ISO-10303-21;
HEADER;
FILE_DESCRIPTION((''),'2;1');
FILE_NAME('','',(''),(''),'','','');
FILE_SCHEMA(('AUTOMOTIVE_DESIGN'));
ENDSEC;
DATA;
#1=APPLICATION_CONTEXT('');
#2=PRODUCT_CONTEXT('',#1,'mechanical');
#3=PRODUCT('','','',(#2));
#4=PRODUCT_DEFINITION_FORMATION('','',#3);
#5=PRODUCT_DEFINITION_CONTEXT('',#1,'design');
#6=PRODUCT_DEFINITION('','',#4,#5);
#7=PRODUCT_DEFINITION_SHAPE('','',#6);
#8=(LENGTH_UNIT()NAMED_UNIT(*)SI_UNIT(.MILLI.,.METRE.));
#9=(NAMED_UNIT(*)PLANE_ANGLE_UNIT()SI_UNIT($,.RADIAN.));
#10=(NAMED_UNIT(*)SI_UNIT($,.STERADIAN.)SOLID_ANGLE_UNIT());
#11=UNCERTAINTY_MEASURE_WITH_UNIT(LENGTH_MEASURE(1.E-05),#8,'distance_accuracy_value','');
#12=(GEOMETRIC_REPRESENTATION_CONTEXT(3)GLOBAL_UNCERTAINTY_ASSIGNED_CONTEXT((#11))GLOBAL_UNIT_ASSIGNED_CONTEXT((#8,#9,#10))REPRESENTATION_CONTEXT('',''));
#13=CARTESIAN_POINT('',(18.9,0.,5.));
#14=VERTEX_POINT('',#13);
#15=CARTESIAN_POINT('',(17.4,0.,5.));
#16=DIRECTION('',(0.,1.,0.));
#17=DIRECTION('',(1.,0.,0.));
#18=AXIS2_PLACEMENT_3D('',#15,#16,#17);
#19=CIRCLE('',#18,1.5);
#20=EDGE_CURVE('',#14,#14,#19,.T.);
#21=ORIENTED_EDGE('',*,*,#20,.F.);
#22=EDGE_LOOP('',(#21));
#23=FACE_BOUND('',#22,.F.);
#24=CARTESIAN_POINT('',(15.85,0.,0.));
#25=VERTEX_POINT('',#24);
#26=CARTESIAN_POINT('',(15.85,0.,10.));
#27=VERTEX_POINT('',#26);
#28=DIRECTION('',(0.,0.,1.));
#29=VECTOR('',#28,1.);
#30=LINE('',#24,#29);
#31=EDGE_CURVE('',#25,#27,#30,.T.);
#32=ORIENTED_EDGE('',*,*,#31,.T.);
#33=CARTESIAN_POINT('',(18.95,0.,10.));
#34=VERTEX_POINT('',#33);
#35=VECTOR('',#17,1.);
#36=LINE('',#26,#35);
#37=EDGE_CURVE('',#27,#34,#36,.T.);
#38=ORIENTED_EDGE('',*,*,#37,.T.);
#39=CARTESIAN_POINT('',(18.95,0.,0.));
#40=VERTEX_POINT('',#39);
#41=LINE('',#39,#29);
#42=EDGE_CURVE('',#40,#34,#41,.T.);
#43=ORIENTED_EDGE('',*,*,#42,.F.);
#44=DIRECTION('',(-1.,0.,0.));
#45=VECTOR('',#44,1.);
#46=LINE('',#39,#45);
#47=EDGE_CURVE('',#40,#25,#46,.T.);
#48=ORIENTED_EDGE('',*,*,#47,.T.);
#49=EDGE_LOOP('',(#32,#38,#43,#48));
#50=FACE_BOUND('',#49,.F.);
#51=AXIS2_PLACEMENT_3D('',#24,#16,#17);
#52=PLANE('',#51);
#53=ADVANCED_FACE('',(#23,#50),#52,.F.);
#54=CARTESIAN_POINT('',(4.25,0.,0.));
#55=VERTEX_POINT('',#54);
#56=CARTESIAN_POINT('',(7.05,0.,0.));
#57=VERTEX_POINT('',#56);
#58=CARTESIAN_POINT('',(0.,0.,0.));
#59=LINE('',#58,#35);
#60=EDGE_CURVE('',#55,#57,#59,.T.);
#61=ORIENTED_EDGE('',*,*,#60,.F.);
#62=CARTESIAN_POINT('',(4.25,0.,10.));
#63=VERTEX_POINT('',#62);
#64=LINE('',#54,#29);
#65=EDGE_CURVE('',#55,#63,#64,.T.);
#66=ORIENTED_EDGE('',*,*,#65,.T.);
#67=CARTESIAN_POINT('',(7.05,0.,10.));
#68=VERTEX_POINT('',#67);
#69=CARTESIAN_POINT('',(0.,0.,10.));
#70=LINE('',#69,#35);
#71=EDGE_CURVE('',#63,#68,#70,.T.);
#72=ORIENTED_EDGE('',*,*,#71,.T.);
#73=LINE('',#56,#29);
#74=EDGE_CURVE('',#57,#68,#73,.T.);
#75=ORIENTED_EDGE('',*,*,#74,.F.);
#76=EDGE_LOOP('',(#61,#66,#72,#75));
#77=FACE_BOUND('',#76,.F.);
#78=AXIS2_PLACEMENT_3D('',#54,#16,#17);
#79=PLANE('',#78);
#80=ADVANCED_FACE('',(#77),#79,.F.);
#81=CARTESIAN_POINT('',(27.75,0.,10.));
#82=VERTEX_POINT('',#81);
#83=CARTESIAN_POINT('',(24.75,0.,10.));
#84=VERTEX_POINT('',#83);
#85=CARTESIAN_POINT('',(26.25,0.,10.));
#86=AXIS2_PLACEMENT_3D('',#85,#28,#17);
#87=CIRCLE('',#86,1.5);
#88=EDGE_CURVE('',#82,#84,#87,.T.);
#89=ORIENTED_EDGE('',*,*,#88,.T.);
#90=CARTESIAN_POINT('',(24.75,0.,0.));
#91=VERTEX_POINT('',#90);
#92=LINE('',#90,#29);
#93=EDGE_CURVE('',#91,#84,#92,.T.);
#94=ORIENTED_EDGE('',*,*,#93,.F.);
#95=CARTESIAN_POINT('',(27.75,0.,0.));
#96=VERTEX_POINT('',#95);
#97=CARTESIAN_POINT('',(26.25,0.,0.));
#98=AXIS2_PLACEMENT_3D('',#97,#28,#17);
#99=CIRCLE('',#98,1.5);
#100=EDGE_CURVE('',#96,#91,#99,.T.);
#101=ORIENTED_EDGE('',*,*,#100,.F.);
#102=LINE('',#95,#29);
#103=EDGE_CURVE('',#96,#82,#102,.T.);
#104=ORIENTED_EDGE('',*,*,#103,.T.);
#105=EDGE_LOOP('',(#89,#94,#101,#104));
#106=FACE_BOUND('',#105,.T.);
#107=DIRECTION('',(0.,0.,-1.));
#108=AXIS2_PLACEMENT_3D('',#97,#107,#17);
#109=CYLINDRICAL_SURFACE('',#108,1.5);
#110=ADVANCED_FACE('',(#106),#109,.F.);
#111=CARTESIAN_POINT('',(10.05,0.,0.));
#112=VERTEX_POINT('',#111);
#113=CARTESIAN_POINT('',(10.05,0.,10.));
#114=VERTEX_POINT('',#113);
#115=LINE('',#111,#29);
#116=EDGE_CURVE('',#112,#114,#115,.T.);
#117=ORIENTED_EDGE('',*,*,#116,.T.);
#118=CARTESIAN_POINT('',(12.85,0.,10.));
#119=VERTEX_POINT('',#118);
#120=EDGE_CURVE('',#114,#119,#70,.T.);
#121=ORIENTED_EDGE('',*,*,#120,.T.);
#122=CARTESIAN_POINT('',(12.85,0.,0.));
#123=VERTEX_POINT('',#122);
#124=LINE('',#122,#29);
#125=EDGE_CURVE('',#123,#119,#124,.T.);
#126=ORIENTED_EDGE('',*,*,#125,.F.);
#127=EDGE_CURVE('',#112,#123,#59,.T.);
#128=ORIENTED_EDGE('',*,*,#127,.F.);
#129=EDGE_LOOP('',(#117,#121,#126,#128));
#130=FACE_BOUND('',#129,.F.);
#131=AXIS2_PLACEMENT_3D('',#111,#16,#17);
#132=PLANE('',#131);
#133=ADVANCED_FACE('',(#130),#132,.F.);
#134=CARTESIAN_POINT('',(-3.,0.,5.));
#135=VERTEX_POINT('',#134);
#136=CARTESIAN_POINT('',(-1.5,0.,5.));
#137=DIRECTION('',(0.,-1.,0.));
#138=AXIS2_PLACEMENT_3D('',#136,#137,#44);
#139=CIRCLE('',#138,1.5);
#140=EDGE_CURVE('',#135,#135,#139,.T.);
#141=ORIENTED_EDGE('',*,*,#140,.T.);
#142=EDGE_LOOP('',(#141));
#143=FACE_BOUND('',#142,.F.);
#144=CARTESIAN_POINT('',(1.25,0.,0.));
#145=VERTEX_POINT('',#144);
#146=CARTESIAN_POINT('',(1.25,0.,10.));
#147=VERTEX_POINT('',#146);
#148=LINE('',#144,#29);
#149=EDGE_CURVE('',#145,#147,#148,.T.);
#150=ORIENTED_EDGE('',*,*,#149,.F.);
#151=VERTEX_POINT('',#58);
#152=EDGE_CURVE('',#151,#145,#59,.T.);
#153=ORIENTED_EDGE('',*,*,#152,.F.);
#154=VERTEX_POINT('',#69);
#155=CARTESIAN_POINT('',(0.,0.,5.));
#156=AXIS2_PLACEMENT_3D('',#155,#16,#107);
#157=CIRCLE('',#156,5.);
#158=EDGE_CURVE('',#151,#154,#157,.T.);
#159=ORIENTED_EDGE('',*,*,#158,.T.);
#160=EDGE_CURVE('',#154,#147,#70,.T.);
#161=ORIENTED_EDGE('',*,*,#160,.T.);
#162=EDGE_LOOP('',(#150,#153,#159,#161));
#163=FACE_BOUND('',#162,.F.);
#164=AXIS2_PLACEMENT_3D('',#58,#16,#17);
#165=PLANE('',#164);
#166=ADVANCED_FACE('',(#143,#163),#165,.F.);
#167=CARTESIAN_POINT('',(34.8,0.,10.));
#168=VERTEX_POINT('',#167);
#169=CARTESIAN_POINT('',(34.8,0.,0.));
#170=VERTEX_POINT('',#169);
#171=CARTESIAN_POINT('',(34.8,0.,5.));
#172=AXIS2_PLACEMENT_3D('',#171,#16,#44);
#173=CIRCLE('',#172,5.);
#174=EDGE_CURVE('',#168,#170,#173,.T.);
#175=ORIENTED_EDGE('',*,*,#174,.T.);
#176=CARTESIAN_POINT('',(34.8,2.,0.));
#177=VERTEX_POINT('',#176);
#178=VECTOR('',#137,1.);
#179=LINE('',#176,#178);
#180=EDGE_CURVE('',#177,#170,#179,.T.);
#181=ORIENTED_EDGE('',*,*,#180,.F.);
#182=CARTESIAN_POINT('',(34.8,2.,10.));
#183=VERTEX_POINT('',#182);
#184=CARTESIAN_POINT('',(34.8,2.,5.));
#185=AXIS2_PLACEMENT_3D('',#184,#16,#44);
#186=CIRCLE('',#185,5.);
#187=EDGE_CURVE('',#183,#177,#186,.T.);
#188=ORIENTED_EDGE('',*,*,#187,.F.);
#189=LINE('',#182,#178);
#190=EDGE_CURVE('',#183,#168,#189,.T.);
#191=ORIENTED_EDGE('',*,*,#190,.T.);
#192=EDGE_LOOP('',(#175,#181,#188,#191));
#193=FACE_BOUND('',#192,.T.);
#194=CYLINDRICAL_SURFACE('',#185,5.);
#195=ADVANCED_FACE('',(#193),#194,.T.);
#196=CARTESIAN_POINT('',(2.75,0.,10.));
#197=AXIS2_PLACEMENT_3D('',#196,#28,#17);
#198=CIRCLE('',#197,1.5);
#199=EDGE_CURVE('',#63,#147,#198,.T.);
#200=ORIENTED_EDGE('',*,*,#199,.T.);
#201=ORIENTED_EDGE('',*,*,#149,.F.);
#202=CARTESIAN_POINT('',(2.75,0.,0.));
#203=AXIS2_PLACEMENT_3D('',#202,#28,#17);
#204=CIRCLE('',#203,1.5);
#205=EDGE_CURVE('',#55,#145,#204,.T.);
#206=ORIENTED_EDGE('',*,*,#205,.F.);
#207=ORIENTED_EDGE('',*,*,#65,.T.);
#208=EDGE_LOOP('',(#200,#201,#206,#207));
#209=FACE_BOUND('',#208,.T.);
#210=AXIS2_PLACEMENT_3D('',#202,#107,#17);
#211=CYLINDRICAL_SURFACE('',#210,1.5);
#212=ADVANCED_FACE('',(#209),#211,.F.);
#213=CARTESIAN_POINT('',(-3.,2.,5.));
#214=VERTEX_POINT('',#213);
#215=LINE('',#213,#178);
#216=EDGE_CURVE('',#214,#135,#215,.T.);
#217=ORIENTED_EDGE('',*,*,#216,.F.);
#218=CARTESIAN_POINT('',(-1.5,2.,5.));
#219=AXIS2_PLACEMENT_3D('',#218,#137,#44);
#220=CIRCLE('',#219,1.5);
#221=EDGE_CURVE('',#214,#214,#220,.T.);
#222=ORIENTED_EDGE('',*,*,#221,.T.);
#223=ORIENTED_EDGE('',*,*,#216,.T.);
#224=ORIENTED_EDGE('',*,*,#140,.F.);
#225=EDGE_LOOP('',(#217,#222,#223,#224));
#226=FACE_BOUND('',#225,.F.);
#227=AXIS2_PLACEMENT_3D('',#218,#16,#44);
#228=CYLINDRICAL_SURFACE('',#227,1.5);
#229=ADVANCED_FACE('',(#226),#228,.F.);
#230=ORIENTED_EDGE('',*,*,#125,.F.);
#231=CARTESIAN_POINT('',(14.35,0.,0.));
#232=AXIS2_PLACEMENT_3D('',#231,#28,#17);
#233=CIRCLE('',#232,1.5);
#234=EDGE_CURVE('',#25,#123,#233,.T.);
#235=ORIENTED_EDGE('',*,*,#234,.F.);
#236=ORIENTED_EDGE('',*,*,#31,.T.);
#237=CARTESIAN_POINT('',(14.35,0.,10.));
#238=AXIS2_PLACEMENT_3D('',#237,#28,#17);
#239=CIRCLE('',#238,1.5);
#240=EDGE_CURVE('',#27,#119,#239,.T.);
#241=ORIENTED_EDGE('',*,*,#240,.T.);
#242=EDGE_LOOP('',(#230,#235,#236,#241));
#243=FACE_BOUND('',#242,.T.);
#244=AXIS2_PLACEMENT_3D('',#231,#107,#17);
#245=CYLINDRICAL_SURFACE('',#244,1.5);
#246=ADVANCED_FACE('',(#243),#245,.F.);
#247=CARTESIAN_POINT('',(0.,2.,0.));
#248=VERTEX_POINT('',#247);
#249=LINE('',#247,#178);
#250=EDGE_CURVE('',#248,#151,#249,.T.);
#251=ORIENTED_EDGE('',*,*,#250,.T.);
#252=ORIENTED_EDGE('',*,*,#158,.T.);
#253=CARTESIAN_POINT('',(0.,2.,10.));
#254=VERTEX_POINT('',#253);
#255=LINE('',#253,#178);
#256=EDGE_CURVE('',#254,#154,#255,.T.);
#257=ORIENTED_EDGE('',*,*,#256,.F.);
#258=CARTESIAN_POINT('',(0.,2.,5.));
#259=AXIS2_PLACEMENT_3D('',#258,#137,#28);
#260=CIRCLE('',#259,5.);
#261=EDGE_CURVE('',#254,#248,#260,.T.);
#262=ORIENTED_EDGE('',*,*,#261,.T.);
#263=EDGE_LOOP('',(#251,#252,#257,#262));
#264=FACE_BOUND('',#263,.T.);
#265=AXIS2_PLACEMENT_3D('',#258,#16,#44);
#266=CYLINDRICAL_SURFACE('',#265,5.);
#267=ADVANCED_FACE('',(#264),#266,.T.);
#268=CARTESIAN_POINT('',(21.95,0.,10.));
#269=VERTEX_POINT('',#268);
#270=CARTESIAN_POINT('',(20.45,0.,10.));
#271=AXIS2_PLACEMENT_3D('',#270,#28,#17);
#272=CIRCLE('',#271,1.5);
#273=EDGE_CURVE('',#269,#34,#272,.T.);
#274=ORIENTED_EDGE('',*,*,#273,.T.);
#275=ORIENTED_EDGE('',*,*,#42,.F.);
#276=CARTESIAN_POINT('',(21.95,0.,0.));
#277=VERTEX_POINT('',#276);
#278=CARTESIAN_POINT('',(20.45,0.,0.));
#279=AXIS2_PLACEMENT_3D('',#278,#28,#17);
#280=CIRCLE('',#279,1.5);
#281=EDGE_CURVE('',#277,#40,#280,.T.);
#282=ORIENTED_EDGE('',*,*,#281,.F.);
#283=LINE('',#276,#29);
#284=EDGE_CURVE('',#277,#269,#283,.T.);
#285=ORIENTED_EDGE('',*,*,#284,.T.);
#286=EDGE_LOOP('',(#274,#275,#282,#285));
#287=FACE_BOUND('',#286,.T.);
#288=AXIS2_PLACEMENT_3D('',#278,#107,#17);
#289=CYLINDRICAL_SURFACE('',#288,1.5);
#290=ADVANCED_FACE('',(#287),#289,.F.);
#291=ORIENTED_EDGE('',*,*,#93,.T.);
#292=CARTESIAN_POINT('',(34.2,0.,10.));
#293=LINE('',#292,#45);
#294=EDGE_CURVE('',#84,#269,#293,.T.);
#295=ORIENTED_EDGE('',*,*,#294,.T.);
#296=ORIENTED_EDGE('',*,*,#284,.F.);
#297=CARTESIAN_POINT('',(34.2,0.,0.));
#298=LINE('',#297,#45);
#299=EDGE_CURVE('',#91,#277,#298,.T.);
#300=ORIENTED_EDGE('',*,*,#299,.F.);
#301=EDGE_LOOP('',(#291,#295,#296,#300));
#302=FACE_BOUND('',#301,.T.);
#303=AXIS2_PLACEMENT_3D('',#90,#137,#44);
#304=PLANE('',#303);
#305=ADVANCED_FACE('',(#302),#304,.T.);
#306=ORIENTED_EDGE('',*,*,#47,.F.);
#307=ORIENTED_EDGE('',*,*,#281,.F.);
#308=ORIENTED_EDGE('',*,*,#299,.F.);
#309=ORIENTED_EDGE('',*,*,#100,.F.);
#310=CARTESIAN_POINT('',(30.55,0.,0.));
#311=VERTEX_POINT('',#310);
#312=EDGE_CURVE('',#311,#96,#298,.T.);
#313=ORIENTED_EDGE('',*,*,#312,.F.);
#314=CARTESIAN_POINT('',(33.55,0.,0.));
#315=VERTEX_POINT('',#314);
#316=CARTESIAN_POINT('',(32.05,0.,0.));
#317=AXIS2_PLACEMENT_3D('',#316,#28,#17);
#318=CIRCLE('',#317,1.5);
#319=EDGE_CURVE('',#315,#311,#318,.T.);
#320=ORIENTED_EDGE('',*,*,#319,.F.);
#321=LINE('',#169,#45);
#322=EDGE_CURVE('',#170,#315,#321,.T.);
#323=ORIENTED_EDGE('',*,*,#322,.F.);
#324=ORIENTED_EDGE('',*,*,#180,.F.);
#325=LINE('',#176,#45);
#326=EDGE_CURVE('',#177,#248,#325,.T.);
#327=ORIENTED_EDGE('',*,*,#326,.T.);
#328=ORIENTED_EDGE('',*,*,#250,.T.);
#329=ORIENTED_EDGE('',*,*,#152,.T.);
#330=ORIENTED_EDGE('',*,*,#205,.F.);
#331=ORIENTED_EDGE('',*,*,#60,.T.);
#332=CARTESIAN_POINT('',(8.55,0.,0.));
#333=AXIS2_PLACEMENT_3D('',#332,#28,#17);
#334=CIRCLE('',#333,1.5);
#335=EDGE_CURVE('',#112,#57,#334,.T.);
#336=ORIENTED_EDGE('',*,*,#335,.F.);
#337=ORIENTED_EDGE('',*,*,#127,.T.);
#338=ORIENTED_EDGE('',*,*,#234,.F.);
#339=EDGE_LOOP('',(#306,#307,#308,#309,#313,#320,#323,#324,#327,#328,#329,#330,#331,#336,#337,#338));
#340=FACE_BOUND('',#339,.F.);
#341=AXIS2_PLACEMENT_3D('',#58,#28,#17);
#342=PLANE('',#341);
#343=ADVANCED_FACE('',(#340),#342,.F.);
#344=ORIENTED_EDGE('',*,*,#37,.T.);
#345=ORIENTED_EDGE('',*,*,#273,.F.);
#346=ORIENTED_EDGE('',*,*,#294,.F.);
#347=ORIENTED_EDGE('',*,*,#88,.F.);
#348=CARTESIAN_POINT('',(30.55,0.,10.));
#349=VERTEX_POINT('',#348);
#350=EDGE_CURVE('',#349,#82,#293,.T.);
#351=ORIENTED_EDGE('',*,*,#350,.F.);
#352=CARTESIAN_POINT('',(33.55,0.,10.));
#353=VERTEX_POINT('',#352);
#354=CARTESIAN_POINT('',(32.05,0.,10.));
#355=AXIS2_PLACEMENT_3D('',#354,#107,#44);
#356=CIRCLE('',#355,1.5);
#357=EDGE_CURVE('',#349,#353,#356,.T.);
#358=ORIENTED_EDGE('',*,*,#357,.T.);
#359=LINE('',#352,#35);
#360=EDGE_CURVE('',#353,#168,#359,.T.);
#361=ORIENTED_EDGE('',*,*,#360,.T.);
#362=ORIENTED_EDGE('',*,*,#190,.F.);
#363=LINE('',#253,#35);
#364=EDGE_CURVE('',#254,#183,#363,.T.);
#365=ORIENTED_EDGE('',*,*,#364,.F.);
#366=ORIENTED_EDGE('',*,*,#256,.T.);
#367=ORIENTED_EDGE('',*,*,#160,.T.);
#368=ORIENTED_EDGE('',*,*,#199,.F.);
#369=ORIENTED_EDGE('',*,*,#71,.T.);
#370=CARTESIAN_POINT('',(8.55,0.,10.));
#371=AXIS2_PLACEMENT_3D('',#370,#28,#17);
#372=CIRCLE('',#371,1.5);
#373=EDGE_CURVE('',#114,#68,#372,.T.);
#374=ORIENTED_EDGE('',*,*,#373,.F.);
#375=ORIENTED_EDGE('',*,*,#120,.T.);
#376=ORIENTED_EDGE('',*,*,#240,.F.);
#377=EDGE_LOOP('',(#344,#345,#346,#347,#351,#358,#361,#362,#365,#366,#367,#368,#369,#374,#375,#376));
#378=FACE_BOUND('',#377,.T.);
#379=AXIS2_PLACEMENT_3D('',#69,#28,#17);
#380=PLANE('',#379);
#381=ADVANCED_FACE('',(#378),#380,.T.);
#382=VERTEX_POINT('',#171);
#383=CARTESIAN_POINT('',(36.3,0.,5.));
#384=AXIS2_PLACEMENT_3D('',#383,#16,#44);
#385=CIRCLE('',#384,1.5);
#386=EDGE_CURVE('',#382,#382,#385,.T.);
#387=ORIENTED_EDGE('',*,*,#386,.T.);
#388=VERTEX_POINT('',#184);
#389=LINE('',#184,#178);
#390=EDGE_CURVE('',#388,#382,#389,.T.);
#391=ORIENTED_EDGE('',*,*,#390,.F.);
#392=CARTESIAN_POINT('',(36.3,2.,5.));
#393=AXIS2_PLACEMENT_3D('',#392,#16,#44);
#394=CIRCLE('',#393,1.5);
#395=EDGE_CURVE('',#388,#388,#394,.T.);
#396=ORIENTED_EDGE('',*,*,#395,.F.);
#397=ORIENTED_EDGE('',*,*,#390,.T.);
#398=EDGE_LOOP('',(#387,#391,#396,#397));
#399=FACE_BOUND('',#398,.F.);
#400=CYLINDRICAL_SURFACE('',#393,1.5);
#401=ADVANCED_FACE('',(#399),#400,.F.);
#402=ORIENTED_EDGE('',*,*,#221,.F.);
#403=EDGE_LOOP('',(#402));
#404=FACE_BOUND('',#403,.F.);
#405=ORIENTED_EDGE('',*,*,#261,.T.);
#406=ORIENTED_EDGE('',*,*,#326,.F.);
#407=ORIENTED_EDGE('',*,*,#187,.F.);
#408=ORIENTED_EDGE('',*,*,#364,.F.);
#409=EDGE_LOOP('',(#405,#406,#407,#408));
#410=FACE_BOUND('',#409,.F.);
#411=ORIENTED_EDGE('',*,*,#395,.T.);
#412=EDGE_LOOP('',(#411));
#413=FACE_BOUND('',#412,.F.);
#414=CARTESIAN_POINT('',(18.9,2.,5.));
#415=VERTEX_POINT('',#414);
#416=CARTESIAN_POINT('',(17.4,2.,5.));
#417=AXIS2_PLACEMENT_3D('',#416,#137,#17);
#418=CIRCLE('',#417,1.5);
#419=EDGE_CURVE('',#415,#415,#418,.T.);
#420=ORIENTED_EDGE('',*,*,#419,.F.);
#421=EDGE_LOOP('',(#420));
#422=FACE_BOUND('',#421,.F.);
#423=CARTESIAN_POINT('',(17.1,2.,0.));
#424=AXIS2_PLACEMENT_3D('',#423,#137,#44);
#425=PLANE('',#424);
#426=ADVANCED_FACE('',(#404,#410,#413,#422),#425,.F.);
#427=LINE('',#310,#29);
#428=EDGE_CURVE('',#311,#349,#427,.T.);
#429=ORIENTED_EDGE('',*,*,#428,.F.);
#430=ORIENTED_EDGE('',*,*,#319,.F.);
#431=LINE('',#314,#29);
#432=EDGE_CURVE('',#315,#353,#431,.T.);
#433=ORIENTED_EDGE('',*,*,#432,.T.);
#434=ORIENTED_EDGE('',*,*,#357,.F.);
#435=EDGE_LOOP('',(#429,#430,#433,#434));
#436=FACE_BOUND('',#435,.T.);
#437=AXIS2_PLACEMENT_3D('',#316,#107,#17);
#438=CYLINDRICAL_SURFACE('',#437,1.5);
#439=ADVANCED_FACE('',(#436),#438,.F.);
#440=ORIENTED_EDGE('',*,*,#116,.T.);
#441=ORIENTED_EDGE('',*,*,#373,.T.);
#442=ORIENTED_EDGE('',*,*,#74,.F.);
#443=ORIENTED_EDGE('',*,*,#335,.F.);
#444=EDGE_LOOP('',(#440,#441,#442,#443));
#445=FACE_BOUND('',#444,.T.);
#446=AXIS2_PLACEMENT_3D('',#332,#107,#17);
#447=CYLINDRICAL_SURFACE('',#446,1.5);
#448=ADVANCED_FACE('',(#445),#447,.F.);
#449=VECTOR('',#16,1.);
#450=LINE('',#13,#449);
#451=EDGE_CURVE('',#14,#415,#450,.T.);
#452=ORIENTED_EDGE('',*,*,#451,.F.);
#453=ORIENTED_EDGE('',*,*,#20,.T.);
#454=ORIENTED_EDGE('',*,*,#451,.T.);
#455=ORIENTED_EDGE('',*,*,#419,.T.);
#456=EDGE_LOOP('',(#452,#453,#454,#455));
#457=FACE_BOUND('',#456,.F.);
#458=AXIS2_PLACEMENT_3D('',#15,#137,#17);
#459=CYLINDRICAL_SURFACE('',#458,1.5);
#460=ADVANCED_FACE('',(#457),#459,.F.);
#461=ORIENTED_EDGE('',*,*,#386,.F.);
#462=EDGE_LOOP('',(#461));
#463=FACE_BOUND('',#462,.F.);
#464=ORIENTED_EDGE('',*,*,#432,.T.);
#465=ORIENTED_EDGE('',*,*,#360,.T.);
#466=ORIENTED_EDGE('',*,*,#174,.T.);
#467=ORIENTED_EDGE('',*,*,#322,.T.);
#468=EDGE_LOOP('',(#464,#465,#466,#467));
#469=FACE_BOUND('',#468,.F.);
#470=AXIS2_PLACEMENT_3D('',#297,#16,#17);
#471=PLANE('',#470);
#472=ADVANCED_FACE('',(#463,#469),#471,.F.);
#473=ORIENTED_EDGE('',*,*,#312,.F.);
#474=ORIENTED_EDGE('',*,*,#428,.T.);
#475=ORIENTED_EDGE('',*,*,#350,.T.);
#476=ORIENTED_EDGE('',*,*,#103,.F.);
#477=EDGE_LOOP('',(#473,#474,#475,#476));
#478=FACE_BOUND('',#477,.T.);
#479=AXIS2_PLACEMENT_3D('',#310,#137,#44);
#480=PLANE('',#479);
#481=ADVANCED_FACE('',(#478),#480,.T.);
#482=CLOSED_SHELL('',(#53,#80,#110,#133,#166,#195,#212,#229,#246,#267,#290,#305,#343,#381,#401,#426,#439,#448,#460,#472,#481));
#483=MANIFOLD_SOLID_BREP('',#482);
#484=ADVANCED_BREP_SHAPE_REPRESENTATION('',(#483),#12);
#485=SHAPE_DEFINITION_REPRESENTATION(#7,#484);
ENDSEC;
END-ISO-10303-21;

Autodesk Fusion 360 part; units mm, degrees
sketch "Sketch1" plane through (0, 0, 0) normal (0, 0, 1) x (1, 0, 0)
  line L0 (0, 0) -> (17.1, 0)
  line L1 (17.1, 0) -> (17.1, 2)
  line L2 (17.1, 2) -> (0, 2)
  line L3 (0, 2) -> (0, 0)
  line L4 (0, 0) -> (1.25, 0)
  line L5 (1.25, 0) -> (2.75, 0)
  circle A0 centre (2.75, 0) radius 1.5
  line L6 (4.25, 0) -> (7.05, 0)
  line L7 (7.05, 0) -> (8.55, 0)
  circle A1 centre (8.55, 0) radius 1.5
  line L8 (10.05, 0) -> (12.85, 0)
  line L9 (12.85, 0) -> (14.35, 0)
  circle A2 centre (14.35, 0) radius 1.5
  line L10 (15.85, 0) -> (17.1, 0)
  line L11 (15.85, 0) -> (17.4, 0)
  line L12 (17.4, 0) -> (18.95, 0)
  line L13 (18.95, 0) -> (17.1, 0)
  line L14 (17.1, 0) -> (17.1, 2)
  line L15 (17.1, 2) -> (18.95, 2)
  line L16 (18.95, 2) -> (18.95, 0)
  line L17 (17.1, 2) -> (34.2, 2)
  line L18 (34.2, 0) -> (17.1, 0)
  line L19 (18.95, 0) -> (20.45, 0)
  circle A3 centre (20.45, 0) radius 1.5
  line L20 (21.95, 0) -> (24.75, 0)
  line L21 (24.75, 0) -> (26.25, 0)
  circle A4 centre (26.25, 0) radius 1.5
  line L22 (27.75, 0) -> (30.55, 0)
  line L23 (30.55, 0) -> (32.05, 0)
  circle A5 centre (32.05, 0) radius 1.5
  line L24 (33.55, 0) -> (34.8, 0)
  line L25 (34.8, 0) -> (33.05, 0)
  line L26 (33.05, 0) -> (33.05, 2)
  line L27 (33.05, 2) -> (34.8, 2)
  line L28 (34.8, 2) -> (34.8, 0)
  dimension "d1" = 17.1
  dimension "d2" = 2
  dimension "d3" = 1.25
  dimension "d4" = 1.5
  dimension "d5" = 2.8
  dimension "d6" = 1.5
  dimension "d7" = 2.8
  dimension "d8" = 1.5
  dimension "d32" = 1.55
  dimension "d33" = 1.55
  dimension "d39" = 1.5
  dimension "d41" = 2.8
  dimension "d42" = 1.5
  dimension "d43" = 2.8
  dimension "d44" = 1.5
  dimension "d45" = 1.25
extrude "Extrude1" add sketch "Sketch1" along normal blind 10 contours L0 L1 L2 L3 L4 A0 L6 A1 L8 A2 L10 L11 L14 | L1 L11 L12 L13 L14 L15 L16 L17 L18 | L16 L17 L18 A3 L20 A4 L22 A5 L26 | L17 L18 A5 L24 L25 L26 L27 L28
sketch "Sketch10" plane through (0, 0, 0) normal (0, -1, 0) x (1, 0, 0)
  line L0 (15.85, 0) -> (18.95, 0)
  line L1 (18.95, 0) -> (18.95, 10)
  line L2 (18.95, 10) -> (15.85, 10)
  line L3 (15.85, 10) -> (15.85, 0)
  line L4 (15.85, 0) -> (18.95, 0)
  line L5 (17.4, 0) -> (17.4, 10)
  circle A0 centre (17.4, 5) radius 1.5
  dimension "d46" = 3
extrude "Extrude6" cut sketch "Sketch10" against normal blind 2.6 contours L5 A0 | L5 A0
sketch "Sketch7" plane through (0, 2, 0) normal (0, 1, 0) x (-1, 0, 0)
  line L0 (-34.8, 0) -> (0, 0)
  line L1 (0, 0) -> (0, 10)
  line L2 (0, 10) -> (-34.8, 10)
  line L3 (0, 0) -> (0, 10)
  line L4 (0, 0) -> (-34.8, 0)
  line L5 (-17.4, 0) -> (-17.4, 10)
  circle A0 centre (0, 5) radius 5
  line L6 (0, 5) -> (5, 5)
  circle A1 centre (-17.4, 5) radius 1.5
  line L7 (-34.8, 10) -> (-34.8, 0)
  line L8 (2.5, 5) -> (0, 5)
  line L9 (2.5, 5) -> (2.1, 5)
  line L10 (2.5, 5) -> (0.5, 5)
  line L11 (2.5, 5) -> (1, 5)
  line L12 (1, 5) -> (1.5, 5)
  circle A2 centre (1.5, 5) radius 1.5
  circle A3 centre (-34.8, 5) radius 5
  circle A4 centre (-36.3, 5) radius 1.5
  line L13 (0, 10) -> (-1.25, 10)
  line L14 (-1.25, 10) -> (-1.25, 0)
  line L15 (5, 5) -> (-1.25, 5)
  dimension "d49" = 0.4
  dimension "d50" = 2
  dimension "d52" = 0.5
extrude "Extrude5" add sketch "Sketch7" against normal blind 2 contours L7 A3 | L1 L3 A0 L6 A2 L15 | L1 L3 A0 L6 A2 L15 picked at (-35.3657, 1.2198)
